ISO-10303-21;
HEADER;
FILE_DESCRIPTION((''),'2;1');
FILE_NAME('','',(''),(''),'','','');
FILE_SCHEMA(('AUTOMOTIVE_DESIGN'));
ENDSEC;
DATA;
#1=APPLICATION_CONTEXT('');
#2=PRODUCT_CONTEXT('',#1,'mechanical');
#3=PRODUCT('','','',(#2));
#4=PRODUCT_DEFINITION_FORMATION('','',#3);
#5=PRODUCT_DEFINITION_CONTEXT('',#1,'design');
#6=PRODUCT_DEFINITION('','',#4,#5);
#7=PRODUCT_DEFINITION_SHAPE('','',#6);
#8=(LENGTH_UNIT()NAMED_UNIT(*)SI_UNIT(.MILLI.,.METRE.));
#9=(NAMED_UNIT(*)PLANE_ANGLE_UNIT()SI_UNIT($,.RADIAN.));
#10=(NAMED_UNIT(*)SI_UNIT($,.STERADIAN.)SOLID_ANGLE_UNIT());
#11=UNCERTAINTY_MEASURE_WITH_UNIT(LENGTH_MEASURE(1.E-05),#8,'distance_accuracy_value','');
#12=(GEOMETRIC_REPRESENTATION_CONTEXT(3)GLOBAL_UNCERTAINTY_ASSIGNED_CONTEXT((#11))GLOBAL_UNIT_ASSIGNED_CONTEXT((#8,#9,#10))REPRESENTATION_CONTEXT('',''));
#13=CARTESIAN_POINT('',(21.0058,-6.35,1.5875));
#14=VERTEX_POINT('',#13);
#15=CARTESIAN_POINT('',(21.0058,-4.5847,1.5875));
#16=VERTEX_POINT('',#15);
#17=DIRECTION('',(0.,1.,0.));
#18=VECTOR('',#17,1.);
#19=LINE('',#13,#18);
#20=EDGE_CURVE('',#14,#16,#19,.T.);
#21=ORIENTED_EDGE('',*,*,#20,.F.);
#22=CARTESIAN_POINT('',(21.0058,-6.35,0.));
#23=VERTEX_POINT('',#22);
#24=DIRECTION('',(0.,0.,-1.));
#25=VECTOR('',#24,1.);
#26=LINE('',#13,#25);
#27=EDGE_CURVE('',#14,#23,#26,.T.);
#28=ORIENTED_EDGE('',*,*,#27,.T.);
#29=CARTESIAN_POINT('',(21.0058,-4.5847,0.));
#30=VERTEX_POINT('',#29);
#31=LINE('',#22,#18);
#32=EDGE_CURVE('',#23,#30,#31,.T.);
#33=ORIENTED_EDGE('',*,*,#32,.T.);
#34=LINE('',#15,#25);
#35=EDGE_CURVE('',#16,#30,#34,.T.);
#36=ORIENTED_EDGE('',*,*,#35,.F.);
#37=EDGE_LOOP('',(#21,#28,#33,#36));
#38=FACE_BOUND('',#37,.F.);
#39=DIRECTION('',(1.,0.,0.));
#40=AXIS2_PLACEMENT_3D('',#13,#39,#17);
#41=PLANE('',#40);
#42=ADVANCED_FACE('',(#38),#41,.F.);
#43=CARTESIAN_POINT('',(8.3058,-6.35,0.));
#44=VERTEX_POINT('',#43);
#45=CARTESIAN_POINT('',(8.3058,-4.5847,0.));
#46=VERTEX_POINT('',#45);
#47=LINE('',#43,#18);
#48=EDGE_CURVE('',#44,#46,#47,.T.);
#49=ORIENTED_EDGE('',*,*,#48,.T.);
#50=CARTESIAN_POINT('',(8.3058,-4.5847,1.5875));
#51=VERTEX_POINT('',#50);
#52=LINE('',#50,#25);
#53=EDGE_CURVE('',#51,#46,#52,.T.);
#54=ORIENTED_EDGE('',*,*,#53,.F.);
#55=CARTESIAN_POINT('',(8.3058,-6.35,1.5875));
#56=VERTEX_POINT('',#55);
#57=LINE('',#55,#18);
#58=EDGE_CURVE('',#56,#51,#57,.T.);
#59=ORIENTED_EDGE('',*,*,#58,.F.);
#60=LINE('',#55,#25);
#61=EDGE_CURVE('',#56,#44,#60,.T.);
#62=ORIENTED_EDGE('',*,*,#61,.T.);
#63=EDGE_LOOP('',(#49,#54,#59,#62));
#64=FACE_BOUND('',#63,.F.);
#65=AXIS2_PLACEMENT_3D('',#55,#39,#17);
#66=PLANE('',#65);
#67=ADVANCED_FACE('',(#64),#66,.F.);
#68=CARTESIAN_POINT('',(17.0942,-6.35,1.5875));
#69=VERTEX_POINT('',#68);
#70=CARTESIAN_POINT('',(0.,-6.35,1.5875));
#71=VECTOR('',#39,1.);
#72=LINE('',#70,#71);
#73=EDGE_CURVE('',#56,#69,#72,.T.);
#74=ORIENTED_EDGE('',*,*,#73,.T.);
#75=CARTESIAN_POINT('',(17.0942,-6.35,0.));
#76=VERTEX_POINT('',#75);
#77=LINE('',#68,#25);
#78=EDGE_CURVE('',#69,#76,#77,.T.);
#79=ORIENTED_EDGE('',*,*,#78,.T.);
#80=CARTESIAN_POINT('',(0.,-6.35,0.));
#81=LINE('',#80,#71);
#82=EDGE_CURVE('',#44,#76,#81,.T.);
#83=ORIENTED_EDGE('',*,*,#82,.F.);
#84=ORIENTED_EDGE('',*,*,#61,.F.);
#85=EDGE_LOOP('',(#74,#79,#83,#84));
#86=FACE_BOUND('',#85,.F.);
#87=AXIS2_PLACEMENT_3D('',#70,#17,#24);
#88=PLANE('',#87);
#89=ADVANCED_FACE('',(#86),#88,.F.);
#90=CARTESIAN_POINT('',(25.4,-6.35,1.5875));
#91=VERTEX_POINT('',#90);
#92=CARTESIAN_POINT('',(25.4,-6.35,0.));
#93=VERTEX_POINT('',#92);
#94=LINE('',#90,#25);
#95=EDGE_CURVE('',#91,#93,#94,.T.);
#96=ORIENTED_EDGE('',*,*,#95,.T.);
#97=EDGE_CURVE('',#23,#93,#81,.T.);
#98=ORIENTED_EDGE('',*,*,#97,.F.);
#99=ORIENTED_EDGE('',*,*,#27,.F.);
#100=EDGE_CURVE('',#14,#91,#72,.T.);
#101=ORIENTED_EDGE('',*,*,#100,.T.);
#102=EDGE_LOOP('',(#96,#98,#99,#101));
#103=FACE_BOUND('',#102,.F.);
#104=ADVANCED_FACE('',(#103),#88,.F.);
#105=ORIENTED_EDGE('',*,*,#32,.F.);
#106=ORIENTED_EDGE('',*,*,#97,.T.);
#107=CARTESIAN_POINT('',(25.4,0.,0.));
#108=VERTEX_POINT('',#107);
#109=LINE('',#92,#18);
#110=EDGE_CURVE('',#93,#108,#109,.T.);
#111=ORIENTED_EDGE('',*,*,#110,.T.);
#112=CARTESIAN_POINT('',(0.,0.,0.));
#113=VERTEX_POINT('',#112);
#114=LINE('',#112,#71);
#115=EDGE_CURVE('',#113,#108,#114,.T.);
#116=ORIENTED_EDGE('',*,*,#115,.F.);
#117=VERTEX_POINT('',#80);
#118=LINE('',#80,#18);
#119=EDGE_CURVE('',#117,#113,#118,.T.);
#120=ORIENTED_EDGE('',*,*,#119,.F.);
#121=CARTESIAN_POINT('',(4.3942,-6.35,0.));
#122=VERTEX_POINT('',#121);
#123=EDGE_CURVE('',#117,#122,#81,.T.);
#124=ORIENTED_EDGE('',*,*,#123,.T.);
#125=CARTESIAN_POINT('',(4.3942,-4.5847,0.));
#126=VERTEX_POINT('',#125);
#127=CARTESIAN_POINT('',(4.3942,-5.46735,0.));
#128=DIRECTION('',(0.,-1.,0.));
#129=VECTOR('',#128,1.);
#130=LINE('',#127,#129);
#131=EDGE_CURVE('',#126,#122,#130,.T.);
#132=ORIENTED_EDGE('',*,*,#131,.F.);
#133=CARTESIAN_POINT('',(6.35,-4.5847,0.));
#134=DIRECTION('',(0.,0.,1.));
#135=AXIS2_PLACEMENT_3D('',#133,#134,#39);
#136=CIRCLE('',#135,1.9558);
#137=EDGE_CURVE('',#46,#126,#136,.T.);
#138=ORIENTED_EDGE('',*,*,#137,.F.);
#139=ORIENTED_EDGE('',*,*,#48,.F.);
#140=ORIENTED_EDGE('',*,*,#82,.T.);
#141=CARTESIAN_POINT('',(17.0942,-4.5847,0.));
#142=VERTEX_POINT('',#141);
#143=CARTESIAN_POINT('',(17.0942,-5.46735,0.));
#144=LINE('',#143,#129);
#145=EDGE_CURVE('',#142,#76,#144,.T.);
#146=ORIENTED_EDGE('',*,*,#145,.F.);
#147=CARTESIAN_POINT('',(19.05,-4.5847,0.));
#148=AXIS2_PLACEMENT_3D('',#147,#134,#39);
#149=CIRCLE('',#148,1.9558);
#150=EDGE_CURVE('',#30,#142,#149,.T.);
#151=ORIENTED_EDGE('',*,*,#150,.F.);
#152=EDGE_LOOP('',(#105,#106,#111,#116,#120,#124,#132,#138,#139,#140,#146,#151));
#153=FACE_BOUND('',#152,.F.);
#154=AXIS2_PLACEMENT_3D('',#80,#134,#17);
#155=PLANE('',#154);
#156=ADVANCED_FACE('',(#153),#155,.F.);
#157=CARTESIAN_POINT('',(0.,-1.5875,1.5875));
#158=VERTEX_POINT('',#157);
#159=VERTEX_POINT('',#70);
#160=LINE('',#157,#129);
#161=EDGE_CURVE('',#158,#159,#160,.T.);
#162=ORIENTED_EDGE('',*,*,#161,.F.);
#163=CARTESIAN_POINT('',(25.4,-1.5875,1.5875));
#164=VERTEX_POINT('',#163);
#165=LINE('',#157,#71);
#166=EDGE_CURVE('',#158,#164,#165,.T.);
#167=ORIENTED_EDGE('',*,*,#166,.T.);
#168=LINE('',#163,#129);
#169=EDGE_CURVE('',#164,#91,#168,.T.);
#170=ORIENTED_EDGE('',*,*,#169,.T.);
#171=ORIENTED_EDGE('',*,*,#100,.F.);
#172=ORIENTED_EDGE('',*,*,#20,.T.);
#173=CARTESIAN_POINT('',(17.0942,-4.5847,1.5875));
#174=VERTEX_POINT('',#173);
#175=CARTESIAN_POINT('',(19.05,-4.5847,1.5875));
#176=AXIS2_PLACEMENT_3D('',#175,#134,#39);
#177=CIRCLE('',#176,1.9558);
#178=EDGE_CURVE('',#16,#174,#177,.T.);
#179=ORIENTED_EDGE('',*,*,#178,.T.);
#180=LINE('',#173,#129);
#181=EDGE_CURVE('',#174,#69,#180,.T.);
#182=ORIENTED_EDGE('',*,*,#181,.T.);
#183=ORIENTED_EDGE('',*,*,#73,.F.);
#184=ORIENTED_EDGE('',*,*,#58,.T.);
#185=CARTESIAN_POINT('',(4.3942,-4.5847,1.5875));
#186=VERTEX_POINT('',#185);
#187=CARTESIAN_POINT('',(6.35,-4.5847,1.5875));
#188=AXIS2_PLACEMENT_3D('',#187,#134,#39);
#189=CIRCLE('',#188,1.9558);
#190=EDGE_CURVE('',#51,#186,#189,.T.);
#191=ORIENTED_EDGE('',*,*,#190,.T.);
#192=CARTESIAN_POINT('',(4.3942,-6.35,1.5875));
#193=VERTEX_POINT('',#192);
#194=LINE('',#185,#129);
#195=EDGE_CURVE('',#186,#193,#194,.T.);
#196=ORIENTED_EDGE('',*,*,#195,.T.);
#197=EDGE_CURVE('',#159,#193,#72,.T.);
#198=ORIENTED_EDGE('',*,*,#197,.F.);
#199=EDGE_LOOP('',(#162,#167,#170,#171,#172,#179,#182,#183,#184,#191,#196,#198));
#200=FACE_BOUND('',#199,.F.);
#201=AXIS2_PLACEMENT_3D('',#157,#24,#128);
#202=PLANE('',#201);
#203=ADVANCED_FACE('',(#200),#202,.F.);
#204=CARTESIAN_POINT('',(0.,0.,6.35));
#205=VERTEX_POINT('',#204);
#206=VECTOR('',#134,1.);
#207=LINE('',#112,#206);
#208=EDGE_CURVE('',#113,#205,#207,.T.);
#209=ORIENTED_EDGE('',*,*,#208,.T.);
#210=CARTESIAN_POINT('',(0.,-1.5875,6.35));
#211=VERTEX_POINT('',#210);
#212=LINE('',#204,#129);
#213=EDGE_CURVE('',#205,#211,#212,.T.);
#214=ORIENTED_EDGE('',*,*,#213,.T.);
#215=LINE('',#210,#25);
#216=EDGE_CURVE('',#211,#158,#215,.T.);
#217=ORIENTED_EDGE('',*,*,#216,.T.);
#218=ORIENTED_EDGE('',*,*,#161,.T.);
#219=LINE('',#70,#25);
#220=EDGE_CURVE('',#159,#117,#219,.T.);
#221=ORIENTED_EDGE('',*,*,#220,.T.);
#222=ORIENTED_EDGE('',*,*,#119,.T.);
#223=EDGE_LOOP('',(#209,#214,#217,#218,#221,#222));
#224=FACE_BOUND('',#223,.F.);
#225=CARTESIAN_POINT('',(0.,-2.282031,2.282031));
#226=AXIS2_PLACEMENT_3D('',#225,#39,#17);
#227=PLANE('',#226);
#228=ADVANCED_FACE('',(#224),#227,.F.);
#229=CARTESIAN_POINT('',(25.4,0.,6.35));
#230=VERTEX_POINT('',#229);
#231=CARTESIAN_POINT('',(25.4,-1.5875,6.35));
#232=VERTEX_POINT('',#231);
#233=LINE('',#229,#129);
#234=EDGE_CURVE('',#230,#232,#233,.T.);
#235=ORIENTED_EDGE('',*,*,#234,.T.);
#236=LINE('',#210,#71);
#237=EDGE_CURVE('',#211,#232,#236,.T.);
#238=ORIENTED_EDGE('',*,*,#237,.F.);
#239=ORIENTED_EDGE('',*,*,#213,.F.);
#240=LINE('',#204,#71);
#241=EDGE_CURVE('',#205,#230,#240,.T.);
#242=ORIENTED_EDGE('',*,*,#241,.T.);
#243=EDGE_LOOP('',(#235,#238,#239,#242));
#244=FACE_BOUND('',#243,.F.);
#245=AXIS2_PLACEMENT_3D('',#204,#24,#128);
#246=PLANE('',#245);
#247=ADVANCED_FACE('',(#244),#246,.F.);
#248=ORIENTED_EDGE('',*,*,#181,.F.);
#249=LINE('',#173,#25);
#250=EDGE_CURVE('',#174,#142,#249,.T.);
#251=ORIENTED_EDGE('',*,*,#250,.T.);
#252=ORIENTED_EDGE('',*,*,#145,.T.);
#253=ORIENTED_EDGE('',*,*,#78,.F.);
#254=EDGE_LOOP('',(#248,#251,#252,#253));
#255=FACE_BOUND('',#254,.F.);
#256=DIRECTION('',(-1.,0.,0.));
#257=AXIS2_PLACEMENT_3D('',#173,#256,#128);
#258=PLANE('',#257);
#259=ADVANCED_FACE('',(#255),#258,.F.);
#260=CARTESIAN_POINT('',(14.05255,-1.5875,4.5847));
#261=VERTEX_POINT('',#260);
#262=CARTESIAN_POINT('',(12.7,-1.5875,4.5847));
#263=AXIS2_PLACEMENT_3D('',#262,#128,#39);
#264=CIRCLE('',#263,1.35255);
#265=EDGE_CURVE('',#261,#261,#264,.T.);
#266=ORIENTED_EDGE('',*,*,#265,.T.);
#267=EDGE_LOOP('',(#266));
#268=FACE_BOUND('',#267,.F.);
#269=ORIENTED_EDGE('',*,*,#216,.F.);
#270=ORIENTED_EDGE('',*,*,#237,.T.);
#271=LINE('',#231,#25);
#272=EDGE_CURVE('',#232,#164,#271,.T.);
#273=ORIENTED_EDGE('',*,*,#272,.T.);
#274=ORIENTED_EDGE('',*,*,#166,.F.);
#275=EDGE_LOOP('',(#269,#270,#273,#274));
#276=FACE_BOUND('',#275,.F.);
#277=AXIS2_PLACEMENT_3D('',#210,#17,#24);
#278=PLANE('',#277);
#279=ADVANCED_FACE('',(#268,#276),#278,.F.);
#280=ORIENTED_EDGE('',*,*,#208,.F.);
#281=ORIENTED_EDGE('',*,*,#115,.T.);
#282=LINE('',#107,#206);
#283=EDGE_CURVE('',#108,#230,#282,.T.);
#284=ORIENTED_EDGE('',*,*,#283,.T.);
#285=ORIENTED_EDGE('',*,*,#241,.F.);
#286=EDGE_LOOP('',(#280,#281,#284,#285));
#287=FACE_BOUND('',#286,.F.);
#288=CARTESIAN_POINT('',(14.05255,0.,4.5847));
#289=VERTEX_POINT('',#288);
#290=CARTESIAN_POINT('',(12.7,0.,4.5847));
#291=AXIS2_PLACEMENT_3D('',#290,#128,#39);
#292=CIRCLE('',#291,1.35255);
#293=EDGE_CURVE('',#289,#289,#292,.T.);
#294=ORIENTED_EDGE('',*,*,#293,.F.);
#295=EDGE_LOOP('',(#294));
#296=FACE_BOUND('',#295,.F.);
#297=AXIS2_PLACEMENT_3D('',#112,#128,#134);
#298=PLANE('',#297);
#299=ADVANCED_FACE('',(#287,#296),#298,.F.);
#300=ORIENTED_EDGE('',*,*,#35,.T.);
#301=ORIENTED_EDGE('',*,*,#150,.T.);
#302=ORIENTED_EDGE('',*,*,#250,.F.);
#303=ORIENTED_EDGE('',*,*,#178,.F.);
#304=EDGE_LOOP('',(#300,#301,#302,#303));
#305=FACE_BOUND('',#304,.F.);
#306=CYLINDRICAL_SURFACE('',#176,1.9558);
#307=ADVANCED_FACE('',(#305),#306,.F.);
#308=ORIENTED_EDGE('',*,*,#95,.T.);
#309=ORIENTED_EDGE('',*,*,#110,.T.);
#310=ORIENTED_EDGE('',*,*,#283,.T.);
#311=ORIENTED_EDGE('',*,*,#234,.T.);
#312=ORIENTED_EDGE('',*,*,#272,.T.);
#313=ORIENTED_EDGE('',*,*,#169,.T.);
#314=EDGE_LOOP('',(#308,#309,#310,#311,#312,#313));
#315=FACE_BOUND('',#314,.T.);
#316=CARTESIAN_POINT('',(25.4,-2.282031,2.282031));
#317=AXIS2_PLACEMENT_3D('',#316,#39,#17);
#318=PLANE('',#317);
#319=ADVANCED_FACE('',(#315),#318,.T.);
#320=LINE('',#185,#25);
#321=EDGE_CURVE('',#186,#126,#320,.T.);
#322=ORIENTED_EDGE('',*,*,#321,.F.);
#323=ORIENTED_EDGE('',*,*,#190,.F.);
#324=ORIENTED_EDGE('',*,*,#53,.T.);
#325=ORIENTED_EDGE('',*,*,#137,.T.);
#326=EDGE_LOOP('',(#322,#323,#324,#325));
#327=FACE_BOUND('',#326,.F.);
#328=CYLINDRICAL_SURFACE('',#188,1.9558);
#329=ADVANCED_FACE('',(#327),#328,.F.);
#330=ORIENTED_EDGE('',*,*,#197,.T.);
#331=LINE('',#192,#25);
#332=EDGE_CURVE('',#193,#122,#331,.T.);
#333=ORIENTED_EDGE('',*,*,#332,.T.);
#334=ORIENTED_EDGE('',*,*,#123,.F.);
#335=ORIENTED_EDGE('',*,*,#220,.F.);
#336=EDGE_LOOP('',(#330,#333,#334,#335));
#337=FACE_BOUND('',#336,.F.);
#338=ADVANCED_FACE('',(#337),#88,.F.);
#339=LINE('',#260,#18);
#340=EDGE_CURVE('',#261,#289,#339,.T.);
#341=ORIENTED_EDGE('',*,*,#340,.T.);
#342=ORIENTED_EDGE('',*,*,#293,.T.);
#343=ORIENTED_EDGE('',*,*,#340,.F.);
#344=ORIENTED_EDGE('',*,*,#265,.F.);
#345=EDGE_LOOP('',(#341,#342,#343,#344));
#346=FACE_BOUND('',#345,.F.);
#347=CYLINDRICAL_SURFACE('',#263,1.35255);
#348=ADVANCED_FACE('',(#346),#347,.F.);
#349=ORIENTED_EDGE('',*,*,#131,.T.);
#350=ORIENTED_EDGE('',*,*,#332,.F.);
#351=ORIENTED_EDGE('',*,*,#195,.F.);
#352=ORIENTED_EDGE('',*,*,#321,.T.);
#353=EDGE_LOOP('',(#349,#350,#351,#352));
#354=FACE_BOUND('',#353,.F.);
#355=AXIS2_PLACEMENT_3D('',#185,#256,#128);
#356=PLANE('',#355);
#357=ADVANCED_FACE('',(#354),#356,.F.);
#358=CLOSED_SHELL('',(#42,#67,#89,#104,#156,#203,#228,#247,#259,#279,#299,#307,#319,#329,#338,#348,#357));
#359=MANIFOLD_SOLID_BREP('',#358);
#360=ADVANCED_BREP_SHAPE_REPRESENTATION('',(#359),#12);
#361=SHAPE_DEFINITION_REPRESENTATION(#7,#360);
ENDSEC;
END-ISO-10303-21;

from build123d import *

# Parameters (mm, degrees)
F1_DEPTH = 25.4
F3_DEPTH = 1.5885
F4_R     = 1.35255
F5_DEPTH = 1.5885


with BuildPart() as f1:
    # F0 (on Right) → F1 (new body)
    with BuildSketch(Plane.YZ):
        Polygon((-6.35, 1.5875), (-6.35, 0), (0, 0), (0, 6.35), (-1.5875, 6.35), (-1.5875, 1.5875), align=None)
    extrude(amount=F1_DEPTH)

    # F2 (on face) → F3 (cut, through all)
    with BuildSketch(Plane.XY.offset(1.5875)):
        with BuildLine():
            Line((8.3058, -6.35), (8.3058, -4.5847))
            ThreePointArc((8.3058, -4.5847), (6.35, -2.6289), (4.3942, -4.5847))
            Line((4.3942, -4.5847), (4.3942, -6.35))
            Line((4.3942, -6.35), (8.3058, -6.35))
        make_face()
        with BuildLine():
            ThreePointArc((21.0058, -4.5847), (19.05, -2.6289), (17.0942, -4.5847))
            Line((17.0942, -4.5847), (17.0942, -6.35))
            Line((17.0942, -6.35), (21.0058, -6.35))
            Line((21.0058, -6.35), (21.0058, -4.5847))
        make_face()
    extrude(amount=-F3_DEPTH, mode=Mode.SUBTRACT)

    # F4 (on face) → F5 (cut, through all)
    with BuildSketch(Plane.XZ.offset(1.5875)):
        with Locations((12.7, 4.5847)):
            Circle(F4_R)
    extrude(amount=-F5_DEPTH, mode=Mode.SUBTRACT)


solid = f1.part
